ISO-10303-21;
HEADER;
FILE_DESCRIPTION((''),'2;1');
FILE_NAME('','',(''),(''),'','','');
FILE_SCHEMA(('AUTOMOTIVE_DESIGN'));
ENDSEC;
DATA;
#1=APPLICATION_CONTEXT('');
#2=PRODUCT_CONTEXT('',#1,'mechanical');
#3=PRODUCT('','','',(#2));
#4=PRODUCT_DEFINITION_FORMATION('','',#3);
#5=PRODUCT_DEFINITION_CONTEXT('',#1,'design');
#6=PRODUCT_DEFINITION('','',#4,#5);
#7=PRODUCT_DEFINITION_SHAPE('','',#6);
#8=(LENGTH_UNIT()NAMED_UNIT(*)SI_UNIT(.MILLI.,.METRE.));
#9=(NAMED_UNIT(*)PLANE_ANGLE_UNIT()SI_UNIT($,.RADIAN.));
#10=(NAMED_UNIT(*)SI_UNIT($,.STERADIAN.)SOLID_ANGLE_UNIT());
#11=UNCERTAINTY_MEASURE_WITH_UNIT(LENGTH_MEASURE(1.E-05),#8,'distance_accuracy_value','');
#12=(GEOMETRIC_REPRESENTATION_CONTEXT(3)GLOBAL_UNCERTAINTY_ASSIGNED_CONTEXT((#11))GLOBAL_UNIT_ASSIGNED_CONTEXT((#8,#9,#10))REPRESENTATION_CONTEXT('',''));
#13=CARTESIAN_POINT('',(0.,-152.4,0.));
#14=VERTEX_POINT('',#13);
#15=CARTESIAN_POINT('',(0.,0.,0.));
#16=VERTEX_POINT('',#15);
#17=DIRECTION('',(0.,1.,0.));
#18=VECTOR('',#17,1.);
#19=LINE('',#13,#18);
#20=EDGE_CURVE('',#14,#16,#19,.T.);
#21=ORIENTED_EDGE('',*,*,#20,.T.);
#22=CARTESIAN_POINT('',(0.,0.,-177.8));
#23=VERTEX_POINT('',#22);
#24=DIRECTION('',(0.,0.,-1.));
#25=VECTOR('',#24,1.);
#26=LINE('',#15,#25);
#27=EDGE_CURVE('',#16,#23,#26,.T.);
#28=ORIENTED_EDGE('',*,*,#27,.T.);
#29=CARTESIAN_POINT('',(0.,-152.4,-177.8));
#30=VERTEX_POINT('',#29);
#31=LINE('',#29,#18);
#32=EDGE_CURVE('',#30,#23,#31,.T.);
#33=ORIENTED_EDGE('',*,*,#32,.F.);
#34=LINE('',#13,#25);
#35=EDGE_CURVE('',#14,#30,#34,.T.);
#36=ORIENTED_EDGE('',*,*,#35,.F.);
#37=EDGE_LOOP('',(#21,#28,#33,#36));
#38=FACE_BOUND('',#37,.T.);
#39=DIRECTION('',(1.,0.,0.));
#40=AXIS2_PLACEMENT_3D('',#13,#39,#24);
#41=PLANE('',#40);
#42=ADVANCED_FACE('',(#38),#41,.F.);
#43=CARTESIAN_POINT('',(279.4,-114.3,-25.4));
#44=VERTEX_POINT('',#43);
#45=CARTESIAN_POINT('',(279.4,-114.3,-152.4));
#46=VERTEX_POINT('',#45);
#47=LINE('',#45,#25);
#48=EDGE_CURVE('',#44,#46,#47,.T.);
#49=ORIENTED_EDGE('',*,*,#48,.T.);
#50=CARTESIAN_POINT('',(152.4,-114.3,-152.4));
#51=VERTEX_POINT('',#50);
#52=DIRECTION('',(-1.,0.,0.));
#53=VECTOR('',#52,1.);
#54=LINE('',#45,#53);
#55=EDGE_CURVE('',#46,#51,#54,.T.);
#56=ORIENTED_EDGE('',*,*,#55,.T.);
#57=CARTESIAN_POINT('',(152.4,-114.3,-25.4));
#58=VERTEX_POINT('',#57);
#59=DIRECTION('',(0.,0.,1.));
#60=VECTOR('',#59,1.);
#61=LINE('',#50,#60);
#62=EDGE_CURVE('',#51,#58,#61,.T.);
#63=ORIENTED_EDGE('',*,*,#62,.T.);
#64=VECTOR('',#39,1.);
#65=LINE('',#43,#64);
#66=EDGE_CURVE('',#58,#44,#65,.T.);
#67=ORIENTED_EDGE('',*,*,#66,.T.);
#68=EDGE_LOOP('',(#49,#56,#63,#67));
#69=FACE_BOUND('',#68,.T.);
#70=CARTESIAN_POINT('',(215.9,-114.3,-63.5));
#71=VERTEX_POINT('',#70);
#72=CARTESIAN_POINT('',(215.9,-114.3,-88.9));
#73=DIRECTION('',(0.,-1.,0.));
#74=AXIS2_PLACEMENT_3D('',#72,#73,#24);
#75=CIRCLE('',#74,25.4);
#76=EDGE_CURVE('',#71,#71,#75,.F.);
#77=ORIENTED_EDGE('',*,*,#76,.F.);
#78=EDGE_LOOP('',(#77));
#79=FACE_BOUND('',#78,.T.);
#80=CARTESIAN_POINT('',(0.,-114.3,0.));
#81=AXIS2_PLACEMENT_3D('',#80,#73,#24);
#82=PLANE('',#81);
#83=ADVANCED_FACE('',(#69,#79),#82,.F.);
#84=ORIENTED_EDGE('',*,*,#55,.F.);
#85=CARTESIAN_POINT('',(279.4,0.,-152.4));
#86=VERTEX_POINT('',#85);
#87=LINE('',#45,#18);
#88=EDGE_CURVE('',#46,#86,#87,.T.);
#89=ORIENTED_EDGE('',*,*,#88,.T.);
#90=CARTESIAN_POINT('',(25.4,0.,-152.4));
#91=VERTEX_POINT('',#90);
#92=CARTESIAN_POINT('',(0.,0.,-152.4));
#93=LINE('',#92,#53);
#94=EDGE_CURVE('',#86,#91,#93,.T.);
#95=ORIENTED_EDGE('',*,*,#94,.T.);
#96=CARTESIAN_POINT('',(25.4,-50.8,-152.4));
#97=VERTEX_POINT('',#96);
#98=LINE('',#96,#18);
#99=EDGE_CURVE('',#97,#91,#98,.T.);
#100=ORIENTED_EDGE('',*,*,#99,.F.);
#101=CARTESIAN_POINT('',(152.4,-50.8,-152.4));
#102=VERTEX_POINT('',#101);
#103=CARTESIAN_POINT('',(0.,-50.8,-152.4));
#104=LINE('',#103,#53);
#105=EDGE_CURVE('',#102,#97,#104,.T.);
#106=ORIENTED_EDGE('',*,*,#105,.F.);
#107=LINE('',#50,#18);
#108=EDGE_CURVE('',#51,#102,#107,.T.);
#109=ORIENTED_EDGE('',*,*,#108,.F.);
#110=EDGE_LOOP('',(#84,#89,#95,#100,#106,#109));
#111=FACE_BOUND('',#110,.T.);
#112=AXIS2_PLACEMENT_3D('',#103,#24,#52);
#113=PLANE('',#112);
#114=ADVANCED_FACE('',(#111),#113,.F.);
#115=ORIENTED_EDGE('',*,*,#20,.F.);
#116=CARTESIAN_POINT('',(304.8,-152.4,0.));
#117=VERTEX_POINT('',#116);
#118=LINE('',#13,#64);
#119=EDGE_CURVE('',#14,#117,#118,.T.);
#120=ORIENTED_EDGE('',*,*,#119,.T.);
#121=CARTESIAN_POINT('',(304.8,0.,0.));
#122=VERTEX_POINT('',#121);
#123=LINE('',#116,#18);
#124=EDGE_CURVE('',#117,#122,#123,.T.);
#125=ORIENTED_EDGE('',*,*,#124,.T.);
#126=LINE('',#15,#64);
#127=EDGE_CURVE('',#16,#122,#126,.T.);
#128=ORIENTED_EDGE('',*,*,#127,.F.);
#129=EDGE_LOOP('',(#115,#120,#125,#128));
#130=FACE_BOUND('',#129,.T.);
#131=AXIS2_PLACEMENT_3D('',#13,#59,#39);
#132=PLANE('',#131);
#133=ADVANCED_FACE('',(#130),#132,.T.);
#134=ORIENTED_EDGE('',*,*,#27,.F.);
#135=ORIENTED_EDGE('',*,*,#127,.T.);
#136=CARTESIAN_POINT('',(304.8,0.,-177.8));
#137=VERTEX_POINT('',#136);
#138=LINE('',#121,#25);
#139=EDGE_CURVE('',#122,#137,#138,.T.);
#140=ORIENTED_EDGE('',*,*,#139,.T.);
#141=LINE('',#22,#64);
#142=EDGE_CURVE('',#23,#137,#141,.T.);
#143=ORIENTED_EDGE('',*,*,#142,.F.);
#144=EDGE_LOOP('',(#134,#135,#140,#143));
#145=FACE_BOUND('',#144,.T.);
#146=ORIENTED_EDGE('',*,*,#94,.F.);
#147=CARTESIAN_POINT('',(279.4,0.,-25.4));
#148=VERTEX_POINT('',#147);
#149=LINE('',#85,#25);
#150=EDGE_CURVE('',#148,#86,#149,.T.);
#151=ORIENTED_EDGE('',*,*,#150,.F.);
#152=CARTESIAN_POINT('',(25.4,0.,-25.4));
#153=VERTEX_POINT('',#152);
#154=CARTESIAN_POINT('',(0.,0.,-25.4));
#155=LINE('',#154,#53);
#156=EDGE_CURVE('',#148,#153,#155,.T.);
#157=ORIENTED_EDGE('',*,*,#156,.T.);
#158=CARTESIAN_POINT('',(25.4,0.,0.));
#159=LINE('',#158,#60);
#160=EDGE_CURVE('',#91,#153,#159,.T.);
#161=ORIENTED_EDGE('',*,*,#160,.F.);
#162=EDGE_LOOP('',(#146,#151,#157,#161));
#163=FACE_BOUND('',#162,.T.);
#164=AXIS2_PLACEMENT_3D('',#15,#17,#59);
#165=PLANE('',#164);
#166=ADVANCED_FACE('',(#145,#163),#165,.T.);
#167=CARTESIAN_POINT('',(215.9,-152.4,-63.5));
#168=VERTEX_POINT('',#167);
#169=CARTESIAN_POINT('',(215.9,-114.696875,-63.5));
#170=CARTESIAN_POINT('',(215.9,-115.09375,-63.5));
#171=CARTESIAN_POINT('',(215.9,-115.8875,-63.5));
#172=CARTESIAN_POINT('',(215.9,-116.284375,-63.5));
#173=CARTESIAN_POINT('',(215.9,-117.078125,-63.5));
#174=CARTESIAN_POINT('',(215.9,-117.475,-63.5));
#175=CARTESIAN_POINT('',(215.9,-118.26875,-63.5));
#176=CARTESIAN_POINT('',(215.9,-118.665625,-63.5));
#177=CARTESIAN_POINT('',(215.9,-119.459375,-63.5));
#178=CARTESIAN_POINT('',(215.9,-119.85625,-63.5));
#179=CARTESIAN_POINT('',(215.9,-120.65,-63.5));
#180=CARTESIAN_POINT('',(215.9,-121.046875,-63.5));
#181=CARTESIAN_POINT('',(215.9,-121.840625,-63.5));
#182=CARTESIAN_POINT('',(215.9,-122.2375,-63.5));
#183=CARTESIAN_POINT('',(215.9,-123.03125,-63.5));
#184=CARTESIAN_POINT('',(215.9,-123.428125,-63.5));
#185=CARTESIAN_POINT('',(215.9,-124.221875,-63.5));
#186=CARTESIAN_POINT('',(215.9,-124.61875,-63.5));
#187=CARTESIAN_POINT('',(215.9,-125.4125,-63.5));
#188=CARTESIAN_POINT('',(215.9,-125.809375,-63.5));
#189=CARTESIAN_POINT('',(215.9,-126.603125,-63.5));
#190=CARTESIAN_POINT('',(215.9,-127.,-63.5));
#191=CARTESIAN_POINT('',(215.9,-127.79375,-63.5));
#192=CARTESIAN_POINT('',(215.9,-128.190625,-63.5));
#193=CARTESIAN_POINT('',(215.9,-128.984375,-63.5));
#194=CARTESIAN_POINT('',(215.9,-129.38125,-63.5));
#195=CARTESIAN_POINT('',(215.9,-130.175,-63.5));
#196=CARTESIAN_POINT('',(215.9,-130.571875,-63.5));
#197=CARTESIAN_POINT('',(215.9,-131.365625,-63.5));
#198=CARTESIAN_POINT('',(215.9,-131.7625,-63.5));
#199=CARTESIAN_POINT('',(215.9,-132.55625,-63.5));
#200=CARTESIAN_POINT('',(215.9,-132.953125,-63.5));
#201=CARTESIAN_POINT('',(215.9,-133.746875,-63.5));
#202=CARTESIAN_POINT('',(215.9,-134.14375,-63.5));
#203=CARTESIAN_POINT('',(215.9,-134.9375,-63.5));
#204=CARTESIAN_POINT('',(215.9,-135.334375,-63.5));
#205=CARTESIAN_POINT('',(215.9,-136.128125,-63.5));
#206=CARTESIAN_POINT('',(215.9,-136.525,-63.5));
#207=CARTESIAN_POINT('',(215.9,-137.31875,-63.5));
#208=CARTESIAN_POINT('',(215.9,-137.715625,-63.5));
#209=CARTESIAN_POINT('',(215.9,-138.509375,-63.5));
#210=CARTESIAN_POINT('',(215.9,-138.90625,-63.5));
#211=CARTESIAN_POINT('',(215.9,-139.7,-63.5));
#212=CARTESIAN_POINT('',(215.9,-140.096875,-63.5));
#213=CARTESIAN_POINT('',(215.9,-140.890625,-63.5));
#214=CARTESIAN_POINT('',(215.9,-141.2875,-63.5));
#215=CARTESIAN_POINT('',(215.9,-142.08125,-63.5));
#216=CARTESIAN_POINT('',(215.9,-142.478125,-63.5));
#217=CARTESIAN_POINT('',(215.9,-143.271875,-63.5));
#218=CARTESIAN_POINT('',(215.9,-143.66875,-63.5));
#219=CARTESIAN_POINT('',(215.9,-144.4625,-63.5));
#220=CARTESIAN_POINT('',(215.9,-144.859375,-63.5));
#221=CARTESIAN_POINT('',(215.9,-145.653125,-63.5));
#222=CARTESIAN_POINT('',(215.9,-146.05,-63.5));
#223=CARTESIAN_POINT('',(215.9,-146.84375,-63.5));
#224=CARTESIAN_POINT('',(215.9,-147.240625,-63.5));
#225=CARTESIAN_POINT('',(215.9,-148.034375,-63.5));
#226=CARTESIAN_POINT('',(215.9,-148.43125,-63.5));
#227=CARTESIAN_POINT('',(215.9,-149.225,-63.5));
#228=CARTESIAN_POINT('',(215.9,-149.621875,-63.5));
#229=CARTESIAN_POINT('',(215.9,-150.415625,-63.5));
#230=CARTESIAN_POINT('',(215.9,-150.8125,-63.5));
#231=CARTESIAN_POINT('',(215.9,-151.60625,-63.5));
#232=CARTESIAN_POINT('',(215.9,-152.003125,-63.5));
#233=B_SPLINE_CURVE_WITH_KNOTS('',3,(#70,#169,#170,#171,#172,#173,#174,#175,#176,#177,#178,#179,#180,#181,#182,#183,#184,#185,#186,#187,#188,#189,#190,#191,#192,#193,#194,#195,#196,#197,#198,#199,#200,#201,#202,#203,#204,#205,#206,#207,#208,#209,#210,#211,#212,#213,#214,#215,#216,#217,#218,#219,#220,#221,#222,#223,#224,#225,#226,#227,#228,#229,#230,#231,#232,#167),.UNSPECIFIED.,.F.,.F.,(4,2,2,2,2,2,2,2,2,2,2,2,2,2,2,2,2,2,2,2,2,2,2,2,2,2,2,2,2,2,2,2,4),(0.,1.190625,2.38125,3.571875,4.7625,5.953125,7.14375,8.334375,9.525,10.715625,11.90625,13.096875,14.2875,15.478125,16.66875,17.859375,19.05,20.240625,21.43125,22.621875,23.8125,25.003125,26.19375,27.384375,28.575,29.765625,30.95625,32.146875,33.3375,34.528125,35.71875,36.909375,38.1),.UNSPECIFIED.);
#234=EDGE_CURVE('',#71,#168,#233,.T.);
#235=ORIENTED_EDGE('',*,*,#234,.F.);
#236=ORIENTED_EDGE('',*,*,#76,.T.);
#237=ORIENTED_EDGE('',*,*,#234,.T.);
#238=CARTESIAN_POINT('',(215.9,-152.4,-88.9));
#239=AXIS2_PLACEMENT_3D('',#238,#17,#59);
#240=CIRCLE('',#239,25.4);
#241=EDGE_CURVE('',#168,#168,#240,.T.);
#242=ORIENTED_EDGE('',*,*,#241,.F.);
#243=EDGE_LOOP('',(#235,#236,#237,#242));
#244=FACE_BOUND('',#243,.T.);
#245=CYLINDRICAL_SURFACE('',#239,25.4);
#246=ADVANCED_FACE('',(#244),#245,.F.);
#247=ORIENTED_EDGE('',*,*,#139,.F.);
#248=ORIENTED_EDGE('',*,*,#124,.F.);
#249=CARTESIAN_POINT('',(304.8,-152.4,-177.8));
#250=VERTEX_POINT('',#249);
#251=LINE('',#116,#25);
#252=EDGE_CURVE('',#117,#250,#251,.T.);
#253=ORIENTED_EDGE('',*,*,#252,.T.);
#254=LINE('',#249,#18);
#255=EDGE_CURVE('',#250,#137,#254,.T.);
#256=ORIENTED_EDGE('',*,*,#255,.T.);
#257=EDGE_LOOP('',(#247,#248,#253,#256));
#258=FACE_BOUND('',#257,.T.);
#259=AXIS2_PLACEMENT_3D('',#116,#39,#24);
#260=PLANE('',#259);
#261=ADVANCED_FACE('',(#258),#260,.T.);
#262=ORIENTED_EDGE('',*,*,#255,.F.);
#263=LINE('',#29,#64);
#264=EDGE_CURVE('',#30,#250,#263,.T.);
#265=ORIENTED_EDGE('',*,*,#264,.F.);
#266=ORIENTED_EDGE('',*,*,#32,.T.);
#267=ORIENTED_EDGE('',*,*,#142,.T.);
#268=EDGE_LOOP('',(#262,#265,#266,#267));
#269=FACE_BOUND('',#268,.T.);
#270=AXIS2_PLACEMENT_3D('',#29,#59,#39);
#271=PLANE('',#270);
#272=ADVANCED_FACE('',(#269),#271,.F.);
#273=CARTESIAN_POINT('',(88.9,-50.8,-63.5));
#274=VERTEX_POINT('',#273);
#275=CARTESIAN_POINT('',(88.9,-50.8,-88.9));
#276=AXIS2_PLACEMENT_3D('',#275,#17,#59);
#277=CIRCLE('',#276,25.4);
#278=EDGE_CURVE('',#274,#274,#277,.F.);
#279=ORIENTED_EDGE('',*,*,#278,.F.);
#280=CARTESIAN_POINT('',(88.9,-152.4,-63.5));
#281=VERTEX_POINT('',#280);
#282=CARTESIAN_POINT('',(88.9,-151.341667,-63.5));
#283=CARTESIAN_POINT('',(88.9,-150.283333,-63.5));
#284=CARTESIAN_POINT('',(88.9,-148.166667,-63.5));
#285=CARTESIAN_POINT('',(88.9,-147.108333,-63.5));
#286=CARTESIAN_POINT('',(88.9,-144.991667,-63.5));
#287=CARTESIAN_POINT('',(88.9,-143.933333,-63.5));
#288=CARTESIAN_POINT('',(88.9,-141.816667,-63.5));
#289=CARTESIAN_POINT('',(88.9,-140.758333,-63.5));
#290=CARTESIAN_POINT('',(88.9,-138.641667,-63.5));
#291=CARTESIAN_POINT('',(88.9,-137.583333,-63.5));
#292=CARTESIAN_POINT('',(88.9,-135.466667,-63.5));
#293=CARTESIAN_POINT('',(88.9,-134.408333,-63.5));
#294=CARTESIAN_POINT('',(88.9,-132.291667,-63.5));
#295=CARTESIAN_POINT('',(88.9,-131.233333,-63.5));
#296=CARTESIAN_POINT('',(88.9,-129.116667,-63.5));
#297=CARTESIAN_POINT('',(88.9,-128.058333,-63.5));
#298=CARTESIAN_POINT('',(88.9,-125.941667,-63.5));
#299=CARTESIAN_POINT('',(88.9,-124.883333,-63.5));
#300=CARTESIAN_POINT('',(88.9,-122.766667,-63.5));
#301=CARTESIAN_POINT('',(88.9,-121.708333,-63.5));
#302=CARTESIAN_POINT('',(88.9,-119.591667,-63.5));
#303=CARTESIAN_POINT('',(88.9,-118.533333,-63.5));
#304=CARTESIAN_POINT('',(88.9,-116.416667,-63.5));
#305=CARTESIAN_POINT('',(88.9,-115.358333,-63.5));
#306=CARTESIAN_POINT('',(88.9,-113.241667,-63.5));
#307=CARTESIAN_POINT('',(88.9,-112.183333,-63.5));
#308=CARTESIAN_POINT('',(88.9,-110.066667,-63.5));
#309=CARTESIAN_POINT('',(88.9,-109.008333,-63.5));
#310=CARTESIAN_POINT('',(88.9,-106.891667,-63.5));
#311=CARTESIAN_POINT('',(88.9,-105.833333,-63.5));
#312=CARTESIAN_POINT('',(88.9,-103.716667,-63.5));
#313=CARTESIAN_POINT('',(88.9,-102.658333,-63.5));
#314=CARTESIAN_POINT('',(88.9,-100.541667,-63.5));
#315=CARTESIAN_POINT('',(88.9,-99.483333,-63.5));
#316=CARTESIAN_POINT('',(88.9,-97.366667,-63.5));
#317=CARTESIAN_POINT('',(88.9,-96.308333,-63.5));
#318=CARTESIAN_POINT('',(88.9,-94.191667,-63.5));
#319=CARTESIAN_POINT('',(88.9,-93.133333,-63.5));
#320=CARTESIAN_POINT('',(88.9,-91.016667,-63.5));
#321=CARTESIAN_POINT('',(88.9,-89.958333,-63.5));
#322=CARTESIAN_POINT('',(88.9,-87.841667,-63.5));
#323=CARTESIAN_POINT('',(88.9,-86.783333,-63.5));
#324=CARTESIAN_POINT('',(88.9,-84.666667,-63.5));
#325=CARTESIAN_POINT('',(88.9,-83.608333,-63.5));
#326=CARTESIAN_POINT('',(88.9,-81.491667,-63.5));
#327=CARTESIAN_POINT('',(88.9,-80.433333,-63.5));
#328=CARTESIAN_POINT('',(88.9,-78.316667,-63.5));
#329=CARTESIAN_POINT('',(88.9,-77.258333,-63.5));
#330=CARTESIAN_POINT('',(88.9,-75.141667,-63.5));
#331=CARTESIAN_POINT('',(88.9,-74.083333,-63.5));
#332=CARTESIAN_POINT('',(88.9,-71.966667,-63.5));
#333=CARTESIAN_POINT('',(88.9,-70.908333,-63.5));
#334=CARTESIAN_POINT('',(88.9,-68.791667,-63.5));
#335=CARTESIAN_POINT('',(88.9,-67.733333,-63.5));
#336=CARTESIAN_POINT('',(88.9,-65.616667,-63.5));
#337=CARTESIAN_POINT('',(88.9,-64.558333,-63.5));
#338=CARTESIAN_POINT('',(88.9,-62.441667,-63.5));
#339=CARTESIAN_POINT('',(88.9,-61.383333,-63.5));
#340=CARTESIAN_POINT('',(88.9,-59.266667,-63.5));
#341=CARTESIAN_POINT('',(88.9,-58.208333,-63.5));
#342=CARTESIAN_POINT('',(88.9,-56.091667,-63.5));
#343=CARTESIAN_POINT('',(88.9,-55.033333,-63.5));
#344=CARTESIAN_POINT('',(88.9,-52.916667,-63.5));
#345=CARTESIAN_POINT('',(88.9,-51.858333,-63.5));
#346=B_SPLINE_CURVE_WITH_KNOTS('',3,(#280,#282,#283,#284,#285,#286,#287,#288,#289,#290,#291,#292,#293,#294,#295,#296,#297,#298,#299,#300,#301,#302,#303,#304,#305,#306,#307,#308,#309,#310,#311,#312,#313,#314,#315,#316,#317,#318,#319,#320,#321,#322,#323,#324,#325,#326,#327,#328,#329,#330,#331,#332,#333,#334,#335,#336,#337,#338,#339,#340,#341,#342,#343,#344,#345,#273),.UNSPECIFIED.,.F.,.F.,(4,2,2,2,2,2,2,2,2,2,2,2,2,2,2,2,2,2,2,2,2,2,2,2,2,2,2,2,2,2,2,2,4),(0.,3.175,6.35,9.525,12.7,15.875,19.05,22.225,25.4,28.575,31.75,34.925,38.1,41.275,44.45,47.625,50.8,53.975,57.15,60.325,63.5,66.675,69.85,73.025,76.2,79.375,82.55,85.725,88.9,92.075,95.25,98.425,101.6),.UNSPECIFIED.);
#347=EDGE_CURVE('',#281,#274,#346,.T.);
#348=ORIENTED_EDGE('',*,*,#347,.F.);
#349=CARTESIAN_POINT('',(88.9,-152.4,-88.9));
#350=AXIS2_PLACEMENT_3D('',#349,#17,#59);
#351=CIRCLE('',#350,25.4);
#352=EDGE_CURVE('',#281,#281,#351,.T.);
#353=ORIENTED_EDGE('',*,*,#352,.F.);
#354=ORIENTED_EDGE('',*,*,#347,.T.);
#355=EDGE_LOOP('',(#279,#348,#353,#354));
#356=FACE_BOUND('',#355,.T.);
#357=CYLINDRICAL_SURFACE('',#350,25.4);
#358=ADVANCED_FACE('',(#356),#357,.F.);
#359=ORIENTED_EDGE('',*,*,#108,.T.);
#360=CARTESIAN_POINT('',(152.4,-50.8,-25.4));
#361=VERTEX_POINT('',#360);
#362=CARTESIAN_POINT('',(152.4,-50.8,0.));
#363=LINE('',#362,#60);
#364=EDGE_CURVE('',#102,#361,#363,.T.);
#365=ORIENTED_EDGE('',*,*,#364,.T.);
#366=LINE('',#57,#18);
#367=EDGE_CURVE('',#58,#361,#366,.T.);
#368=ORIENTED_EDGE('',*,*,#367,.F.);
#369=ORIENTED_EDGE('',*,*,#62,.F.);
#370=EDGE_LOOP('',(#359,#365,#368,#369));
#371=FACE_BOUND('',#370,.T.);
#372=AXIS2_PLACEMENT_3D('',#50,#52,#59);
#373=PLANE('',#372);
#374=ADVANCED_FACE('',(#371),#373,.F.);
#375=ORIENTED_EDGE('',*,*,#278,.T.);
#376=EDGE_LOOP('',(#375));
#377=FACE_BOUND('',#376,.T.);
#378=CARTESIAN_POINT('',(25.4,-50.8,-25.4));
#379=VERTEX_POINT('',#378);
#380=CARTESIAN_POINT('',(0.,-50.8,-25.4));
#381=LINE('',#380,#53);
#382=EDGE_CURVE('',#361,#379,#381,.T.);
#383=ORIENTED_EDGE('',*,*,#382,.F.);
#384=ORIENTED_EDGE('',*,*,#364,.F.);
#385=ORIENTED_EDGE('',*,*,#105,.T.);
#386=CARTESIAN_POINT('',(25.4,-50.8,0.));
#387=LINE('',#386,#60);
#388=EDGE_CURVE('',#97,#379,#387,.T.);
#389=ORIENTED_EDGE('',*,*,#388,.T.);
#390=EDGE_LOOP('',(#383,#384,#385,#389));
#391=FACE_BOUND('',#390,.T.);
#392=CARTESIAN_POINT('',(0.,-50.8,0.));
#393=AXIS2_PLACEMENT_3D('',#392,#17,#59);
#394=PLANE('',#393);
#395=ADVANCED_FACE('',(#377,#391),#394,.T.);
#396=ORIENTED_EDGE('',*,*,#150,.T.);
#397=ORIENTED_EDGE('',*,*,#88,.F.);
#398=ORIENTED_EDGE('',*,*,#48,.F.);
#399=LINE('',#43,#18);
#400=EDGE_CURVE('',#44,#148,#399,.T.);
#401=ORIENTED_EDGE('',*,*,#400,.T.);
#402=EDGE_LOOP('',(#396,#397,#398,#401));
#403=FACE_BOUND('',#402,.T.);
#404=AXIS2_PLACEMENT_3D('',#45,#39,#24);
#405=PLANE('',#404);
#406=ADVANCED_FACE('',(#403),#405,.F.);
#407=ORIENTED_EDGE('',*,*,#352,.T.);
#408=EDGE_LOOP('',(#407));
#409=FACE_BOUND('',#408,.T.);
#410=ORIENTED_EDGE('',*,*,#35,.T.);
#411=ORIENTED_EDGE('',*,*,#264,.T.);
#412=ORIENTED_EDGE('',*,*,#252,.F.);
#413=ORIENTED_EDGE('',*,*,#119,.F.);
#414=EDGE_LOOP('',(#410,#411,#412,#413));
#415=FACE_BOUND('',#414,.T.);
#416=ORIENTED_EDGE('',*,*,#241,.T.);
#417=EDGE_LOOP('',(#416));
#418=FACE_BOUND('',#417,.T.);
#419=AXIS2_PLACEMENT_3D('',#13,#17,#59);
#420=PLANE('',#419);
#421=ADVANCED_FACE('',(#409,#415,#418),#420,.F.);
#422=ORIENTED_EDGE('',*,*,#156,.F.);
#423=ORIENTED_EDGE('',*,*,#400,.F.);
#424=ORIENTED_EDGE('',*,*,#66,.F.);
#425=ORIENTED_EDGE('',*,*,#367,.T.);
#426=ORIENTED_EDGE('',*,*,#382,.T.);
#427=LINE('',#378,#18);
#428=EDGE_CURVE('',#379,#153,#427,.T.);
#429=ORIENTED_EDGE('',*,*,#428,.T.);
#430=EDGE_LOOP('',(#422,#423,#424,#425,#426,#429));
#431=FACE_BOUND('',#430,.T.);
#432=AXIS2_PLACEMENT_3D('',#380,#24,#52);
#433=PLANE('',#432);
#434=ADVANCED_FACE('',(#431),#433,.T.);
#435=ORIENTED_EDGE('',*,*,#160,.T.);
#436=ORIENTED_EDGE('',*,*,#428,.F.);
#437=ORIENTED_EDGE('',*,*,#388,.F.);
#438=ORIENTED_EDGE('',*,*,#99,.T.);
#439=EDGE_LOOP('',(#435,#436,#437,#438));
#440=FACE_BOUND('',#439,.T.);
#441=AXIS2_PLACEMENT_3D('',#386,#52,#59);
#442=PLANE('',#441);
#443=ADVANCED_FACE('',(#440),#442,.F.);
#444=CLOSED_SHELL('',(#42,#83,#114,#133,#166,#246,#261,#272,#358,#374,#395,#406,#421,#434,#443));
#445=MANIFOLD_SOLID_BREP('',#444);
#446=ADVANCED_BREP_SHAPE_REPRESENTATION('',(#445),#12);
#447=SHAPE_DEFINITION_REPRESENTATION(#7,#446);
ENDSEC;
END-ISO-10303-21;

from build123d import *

# Parameters (mm, degrees)
SKETCH1_W           = 304.8
SKETCH1_H           = 177.8
SKETCH1_W_2         = 254
SKETCH1_H_2         = 127
BOSS_EXTRUDE2_DEPTH = 152.4
SKETCH4_W           = 127
SKETCH4_H           = 127
SKETCH4_R           = 25.4
BOSS_EXTRUDE3_DEPTH = 152.4
SKETCH5_W           = 127
SKETCH5_H           = 127
CUT_EXTRUDE1_DEPTH  = 50.8
SKETCH10_W          = 127
SKETCH10_H          = 127
CUT_EXTRUDE2_DEPTH  = 114.3


with BuildPart() as part:
    # Sketch1 → Boss-Extrude2 (new body)
    with BuildSketch(Plane(origin=(0, 0, 0), x_dir=(1, 0, 0), z_dir=(0, 1, 0))):
        with Locations((152.4, 88.9)):
            Rectangle(SKETCH1_W, SKETCH1_H)
        with Locations((152.4, 88.9)):
            Rectangle(SKETCH1_W_2, SKETCH1_H_2, mode=Mode.SUBTRACT)
    extrude(amount=-BOSS_EXTRUDE2_DEPTH)

    # Sketch4 → Boss-Extrude3 (add)
    # profile 1 of 2: a face of its own
    with BuildSketch(Plane(origin=(0, 0, 0), x_dir=(1, 0, 0), z_dir=(0, 1, 0))):
        with Locations((215.9, 88.9)):
            Rectangle(SKETCH4_W, SKETCH4_H)
        with Locations(Location((215.9, 88.9, 0), (0, 0, 270))):
            Circle(SKETCH4_R, mode=Mode.SUBTRACT)
    # profile 2 of 2: a face of its own
    with BuildSketch(Plane(origin=(0, 0, 0), x_dir=(1, 0, 0), z_dir=(0, 1, 0))):
        with Locations((88.9, 88.9)):
            Rectangle(SKETCH4_W, SKETCH4_H)
        with Locations(Location((88.9, 88.9, 0), (0, 0, 270))):
            Circle(SKETCH4_R, mode=Mode.SUBTRACT)
    extrude(amount=-BOSS_EXTRUDE3_DEPTH)

    # Sketch5 → Cut-Extrude1 (cut)
    with BuildSketch(Plane(origin=(0, 0, 0), x_dir=(1, 0, 0), z_dir=(0, 1, 0))):
        with Locations((88.9, 88.9)):
            Rectangle(SKETCH5_W, SKETCH5_H)
    extrude(amount=-CUT_EXTRUDE1_DEPTH, mode=Mode.SUBTRACT)

    # Sketch10 → Cut-Extrude2 (cut)
    with BuildSketch(Plane(origin=(0, 0, 0), x_dir=(1, 0, 0), z_dir=(0, 1, 0))):
        with Locations((215.9, 88.9)):
            Rectangle(SKETCH10_W, SKETCH10_H)
    extrude(amount=-CUT_EXTRUDE2_DEPTH, mode=Mode.SUBTRACT)


solid = part.part
